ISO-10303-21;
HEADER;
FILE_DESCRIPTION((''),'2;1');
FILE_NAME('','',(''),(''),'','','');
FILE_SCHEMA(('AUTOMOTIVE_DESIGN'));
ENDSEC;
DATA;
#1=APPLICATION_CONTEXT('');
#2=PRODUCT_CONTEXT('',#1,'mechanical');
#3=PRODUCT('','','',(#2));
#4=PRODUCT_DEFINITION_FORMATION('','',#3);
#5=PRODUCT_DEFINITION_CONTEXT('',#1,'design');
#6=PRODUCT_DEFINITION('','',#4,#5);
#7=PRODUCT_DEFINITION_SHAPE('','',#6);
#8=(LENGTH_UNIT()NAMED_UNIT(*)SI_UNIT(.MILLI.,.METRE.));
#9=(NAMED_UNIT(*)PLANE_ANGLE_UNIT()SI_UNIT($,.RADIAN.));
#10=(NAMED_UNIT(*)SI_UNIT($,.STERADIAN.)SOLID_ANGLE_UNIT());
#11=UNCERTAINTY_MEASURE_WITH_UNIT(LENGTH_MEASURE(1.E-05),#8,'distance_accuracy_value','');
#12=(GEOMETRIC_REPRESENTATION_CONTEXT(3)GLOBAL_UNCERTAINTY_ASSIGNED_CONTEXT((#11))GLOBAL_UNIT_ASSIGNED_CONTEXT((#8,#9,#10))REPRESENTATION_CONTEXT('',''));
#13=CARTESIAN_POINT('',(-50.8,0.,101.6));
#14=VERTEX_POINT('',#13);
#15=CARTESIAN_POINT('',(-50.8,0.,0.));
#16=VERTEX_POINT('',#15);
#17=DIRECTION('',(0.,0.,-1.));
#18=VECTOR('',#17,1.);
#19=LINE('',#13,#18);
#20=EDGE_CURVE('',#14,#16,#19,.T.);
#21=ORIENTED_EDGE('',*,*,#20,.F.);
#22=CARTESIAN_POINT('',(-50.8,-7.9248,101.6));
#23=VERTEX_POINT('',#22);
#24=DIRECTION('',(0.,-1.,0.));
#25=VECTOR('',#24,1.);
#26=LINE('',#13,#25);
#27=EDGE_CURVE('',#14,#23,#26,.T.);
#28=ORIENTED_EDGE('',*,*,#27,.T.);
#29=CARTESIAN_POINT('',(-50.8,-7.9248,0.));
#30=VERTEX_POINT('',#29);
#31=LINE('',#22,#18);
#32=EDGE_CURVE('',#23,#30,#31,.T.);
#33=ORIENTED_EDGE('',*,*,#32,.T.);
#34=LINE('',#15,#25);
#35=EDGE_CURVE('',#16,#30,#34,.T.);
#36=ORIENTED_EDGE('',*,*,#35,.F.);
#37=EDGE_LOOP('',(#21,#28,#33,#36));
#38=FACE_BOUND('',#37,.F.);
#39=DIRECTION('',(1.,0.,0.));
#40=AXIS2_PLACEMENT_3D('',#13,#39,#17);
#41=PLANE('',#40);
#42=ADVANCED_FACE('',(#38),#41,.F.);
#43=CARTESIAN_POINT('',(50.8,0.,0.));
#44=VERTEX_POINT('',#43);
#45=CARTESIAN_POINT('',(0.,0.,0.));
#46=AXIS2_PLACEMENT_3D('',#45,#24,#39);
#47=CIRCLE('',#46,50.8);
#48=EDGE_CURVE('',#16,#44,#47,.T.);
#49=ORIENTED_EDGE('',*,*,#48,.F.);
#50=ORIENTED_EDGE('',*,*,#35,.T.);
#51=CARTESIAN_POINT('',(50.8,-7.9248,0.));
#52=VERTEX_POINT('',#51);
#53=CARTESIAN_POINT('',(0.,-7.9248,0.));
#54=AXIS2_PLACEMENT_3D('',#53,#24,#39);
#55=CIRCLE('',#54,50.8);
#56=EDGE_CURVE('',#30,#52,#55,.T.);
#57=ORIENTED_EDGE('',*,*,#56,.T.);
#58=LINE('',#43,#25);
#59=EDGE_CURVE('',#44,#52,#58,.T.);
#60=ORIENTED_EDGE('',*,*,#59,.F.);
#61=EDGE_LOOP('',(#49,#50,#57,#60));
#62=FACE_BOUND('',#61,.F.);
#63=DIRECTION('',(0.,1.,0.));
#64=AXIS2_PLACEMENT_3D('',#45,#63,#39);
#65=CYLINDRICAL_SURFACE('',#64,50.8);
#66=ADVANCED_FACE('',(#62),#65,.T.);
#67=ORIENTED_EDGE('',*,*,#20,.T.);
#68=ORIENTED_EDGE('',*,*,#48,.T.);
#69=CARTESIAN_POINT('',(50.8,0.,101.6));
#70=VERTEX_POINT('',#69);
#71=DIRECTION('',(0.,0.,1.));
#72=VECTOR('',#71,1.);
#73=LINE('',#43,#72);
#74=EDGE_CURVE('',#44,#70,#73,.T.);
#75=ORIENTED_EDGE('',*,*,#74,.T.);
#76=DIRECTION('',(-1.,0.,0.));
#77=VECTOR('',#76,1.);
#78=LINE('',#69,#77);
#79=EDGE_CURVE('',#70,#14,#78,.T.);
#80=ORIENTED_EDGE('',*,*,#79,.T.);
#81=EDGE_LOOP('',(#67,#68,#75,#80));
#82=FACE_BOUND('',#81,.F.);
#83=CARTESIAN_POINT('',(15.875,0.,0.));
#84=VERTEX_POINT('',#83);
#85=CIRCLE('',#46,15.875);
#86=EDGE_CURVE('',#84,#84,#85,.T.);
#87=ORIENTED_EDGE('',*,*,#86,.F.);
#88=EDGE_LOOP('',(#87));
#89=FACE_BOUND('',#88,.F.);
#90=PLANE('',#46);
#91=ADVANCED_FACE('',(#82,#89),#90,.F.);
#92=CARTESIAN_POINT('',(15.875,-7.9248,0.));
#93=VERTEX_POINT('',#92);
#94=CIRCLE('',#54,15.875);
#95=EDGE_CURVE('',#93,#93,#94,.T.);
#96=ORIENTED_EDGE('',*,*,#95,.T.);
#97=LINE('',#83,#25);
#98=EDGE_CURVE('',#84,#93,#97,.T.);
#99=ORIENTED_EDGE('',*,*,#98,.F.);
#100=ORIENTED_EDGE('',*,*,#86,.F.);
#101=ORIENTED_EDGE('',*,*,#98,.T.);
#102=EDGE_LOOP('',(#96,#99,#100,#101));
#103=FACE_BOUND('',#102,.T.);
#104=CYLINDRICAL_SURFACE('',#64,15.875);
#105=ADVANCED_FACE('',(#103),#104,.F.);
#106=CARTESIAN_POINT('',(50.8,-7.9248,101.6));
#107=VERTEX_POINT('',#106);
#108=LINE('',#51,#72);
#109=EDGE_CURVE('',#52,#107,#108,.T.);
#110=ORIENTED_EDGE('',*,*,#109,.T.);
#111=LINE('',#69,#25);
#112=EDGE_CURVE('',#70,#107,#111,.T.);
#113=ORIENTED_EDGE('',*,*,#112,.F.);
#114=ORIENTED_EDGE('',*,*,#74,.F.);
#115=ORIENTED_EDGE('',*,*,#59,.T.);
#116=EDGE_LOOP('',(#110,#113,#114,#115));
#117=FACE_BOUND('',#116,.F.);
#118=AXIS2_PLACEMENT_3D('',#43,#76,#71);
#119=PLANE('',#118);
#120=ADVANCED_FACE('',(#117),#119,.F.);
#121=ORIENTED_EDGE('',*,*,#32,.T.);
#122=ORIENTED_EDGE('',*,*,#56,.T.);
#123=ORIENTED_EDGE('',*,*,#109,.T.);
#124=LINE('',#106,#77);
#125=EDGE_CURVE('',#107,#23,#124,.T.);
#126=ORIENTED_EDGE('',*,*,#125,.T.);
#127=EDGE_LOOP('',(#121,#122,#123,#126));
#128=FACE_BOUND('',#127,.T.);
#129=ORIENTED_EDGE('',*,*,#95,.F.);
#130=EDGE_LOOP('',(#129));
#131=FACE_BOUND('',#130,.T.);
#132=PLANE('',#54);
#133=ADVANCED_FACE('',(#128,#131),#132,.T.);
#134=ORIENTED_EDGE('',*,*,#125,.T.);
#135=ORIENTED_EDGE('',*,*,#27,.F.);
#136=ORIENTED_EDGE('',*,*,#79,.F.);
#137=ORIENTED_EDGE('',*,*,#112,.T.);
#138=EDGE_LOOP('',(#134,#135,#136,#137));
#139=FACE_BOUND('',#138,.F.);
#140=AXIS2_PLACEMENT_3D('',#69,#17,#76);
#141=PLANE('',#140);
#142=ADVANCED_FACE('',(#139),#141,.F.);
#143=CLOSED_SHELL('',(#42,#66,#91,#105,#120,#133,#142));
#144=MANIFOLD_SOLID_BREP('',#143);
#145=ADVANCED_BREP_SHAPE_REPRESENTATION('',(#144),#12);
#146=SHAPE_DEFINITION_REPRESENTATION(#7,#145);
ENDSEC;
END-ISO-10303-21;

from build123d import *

# Parameters (mm, degrees)
F0_R     = 15.875
F1_DEPTH = 7.9248


with BuildPart() as f1:
    # F0 (on Front) → F1 (new body)
    with BuildSketch(Plane.XZ):
        with BuildLine():
            ThreePointArc((-50.8, 0), (0, -50.8), (50.8, 0))
            ThreePointArc((50.8, 0), (0, 50.8), (-50.8, 0))
        make_face()
        Circle(F0_R, mode=Mode.SUBTRACT)
        with BuildLine():
            ThreePointArc((-50.8, 0), (0, 50.8), (50.8, 0))
            Line((50.8, 0), (50.8, 101.6))
            Line((50.8, 101.6), (-50.8, 101.6))
            Line((-50.8, 101.6), (-50.8, 0))
        make_face()
    extrude(amount=F1_DEPTH)


solid = f1.part
